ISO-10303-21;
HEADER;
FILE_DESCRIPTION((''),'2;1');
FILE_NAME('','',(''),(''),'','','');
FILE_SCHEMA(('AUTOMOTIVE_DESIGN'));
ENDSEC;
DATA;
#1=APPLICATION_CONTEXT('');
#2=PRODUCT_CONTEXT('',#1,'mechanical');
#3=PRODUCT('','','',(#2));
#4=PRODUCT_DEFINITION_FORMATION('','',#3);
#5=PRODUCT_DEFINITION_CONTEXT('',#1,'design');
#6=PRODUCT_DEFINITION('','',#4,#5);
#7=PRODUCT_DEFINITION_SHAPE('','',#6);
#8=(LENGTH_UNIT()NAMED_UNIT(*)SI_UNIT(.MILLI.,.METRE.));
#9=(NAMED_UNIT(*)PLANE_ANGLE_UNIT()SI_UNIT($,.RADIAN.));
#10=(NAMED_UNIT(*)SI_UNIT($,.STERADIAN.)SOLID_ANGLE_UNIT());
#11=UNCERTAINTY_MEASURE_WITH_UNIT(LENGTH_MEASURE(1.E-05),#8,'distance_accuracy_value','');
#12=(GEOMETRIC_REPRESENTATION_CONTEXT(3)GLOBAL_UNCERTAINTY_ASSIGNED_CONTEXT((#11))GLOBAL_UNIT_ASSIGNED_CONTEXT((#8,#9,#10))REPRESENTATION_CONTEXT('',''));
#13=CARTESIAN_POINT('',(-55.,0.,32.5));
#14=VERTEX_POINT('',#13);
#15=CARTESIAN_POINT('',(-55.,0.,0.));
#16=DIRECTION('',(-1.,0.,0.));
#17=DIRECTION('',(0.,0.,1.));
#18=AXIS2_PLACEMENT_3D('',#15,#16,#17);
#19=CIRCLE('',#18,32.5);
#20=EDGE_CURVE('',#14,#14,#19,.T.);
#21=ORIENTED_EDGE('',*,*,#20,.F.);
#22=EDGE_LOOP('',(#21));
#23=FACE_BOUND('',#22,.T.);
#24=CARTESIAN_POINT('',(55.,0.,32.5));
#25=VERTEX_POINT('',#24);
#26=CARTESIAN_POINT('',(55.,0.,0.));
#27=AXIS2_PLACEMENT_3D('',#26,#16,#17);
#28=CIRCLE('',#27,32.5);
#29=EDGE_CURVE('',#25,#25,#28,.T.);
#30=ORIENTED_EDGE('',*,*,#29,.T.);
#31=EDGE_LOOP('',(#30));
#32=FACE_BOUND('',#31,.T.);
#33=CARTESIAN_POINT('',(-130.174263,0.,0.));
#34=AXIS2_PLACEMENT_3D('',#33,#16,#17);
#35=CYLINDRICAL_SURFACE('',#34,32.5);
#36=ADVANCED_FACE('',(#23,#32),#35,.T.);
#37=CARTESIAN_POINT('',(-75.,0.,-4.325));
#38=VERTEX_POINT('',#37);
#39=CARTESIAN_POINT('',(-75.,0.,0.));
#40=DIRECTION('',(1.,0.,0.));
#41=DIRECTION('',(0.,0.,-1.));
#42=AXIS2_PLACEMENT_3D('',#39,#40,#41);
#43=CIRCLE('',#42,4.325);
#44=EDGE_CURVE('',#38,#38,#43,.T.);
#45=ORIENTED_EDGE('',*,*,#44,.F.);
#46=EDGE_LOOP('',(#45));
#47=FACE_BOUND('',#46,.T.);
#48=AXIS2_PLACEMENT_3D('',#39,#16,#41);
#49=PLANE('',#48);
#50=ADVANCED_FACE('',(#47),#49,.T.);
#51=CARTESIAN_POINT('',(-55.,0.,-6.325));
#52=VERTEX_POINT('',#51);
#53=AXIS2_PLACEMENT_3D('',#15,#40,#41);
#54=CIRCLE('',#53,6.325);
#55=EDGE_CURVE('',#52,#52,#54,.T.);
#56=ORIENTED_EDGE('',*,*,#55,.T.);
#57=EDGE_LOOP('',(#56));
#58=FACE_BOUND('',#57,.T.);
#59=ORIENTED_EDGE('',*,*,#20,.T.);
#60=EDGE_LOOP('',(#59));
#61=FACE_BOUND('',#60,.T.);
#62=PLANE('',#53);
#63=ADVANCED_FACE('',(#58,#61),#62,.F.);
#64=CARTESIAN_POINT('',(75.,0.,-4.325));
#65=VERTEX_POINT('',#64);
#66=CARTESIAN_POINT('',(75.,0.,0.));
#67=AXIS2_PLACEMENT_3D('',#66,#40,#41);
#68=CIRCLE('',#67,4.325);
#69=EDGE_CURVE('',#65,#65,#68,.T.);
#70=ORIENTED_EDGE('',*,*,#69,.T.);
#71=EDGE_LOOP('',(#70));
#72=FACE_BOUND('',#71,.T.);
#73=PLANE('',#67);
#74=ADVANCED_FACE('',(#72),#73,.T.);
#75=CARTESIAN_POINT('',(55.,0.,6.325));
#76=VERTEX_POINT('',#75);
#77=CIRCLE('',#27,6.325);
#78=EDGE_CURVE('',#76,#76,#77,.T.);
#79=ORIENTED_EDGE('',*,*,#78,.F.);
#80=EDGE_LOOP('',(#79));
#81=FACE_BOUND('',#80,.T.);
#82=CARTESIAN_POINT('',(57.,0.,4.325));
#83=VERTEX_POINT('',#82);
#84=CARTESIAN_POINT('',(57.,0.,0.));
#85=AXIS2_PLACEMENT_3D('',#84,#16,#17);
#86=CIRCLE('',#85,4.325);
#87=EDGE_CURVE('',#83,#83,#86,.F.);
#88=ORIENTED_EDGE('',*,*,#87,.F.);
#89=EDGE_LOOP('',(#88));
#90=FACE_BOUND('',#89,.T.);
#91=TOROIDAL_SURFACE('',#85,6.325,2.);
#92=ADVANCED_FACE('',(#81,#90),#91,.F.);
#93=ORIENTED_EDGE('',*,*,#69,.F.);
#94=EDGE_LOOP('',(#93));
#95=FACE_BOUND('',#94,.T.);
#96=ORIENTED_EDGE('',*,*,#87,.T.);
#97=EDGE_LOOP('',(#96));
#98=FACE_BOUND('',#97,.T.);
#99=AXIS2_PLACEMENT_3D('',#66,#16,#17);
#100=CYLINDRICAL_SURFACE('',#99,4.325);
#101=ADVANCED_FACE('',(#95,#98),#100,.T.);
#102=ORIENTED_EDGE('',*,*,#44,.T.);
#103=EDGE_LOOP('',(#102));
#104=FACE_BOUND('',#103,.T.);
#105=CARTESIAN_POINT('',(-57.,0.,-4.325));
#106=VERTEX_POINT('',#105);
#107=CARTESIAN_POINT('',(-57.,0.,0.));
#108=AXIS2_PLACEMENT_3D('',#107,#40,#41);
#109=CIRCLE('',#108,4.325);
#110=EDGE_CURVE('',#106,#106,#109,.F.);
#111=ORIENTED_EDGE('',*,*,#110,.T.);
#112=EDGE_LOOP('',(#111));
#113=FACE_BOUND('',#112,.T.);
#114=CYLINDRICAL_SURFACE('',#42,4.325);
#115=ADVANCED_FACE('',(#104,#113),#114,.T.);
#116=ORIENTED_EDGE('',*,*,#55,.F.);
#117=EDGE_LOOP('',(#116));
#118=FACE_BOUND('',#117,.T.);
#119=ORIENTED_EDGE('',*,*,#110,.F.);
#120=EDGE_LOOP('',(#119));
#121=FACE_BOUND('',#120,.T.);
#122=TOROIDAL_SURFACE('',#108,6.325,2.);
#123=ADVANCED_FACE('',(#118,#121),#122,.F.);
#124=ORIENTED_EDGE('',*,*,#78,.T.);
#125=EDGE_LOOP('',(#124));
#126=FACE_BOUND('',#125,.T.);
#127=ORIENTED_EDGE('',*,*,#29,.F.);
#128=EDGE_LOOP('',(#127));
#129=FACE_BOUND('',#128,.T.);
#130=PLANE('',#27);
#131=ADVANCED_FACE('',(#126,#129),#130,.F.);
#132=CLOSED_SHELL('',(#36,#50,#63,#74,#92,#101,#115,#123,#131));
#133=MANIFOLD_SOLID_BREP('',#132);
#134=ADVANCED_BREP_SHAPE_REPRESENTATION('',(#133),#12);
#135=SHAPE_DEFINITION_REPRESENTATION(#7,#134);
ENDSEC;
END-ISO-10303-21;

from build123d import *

# Parameters (mm, degrees)
SKETCH_1_W      = 110
SKETCH_1_H      = 32.5
SKETCH_2_R      = 4.325
EXTRUDE_1_DEPTH = 20
FILLET_1_R      = 2


with BuildPart() as part:
    # 스케치1 → 회전1 (revolve)
    with BuildSketch(Plane(origin=(0, 0, 0), x_dir=(1, 0, 0), z_dir=(0, 1, 0))):
        with Locations((0, 16.25)):
            Rectangle(SKETCH_1_W, SKETCH_1_H)
    revolve(axis=Axis((-130.174262735, 0, 0), (1, 0, 0)))

    # 스케치2 → 보스-돌출1 (add)
    with BuildSketch(Plane(origin=(55, 0, 0), x_dir=(0, 0, -1), z_dir=(1, 0, 0))):
        Circle(SKETCH_2_R)
    extrude_1 = extrude(amount=EXTRUDE_1_DEPTH)

    # 대칭 복사1: 보스-돌출1 across plane
    add(extrude_1.mirror(Plane(origin=(0, 0, 0), x_dir=(0, 0, 1), z_dir=(1, 0, 0))))

    # 필렛1
    fillet_1_edges = [part.edges().sort_by_distance(p)[0] for p in [
        (-55, 0, 4.325),
        (55, 0, 4.325),
    ]]
    fillet(fillet_1_edges, radius=FILLET_1_R)


solid = part.part
